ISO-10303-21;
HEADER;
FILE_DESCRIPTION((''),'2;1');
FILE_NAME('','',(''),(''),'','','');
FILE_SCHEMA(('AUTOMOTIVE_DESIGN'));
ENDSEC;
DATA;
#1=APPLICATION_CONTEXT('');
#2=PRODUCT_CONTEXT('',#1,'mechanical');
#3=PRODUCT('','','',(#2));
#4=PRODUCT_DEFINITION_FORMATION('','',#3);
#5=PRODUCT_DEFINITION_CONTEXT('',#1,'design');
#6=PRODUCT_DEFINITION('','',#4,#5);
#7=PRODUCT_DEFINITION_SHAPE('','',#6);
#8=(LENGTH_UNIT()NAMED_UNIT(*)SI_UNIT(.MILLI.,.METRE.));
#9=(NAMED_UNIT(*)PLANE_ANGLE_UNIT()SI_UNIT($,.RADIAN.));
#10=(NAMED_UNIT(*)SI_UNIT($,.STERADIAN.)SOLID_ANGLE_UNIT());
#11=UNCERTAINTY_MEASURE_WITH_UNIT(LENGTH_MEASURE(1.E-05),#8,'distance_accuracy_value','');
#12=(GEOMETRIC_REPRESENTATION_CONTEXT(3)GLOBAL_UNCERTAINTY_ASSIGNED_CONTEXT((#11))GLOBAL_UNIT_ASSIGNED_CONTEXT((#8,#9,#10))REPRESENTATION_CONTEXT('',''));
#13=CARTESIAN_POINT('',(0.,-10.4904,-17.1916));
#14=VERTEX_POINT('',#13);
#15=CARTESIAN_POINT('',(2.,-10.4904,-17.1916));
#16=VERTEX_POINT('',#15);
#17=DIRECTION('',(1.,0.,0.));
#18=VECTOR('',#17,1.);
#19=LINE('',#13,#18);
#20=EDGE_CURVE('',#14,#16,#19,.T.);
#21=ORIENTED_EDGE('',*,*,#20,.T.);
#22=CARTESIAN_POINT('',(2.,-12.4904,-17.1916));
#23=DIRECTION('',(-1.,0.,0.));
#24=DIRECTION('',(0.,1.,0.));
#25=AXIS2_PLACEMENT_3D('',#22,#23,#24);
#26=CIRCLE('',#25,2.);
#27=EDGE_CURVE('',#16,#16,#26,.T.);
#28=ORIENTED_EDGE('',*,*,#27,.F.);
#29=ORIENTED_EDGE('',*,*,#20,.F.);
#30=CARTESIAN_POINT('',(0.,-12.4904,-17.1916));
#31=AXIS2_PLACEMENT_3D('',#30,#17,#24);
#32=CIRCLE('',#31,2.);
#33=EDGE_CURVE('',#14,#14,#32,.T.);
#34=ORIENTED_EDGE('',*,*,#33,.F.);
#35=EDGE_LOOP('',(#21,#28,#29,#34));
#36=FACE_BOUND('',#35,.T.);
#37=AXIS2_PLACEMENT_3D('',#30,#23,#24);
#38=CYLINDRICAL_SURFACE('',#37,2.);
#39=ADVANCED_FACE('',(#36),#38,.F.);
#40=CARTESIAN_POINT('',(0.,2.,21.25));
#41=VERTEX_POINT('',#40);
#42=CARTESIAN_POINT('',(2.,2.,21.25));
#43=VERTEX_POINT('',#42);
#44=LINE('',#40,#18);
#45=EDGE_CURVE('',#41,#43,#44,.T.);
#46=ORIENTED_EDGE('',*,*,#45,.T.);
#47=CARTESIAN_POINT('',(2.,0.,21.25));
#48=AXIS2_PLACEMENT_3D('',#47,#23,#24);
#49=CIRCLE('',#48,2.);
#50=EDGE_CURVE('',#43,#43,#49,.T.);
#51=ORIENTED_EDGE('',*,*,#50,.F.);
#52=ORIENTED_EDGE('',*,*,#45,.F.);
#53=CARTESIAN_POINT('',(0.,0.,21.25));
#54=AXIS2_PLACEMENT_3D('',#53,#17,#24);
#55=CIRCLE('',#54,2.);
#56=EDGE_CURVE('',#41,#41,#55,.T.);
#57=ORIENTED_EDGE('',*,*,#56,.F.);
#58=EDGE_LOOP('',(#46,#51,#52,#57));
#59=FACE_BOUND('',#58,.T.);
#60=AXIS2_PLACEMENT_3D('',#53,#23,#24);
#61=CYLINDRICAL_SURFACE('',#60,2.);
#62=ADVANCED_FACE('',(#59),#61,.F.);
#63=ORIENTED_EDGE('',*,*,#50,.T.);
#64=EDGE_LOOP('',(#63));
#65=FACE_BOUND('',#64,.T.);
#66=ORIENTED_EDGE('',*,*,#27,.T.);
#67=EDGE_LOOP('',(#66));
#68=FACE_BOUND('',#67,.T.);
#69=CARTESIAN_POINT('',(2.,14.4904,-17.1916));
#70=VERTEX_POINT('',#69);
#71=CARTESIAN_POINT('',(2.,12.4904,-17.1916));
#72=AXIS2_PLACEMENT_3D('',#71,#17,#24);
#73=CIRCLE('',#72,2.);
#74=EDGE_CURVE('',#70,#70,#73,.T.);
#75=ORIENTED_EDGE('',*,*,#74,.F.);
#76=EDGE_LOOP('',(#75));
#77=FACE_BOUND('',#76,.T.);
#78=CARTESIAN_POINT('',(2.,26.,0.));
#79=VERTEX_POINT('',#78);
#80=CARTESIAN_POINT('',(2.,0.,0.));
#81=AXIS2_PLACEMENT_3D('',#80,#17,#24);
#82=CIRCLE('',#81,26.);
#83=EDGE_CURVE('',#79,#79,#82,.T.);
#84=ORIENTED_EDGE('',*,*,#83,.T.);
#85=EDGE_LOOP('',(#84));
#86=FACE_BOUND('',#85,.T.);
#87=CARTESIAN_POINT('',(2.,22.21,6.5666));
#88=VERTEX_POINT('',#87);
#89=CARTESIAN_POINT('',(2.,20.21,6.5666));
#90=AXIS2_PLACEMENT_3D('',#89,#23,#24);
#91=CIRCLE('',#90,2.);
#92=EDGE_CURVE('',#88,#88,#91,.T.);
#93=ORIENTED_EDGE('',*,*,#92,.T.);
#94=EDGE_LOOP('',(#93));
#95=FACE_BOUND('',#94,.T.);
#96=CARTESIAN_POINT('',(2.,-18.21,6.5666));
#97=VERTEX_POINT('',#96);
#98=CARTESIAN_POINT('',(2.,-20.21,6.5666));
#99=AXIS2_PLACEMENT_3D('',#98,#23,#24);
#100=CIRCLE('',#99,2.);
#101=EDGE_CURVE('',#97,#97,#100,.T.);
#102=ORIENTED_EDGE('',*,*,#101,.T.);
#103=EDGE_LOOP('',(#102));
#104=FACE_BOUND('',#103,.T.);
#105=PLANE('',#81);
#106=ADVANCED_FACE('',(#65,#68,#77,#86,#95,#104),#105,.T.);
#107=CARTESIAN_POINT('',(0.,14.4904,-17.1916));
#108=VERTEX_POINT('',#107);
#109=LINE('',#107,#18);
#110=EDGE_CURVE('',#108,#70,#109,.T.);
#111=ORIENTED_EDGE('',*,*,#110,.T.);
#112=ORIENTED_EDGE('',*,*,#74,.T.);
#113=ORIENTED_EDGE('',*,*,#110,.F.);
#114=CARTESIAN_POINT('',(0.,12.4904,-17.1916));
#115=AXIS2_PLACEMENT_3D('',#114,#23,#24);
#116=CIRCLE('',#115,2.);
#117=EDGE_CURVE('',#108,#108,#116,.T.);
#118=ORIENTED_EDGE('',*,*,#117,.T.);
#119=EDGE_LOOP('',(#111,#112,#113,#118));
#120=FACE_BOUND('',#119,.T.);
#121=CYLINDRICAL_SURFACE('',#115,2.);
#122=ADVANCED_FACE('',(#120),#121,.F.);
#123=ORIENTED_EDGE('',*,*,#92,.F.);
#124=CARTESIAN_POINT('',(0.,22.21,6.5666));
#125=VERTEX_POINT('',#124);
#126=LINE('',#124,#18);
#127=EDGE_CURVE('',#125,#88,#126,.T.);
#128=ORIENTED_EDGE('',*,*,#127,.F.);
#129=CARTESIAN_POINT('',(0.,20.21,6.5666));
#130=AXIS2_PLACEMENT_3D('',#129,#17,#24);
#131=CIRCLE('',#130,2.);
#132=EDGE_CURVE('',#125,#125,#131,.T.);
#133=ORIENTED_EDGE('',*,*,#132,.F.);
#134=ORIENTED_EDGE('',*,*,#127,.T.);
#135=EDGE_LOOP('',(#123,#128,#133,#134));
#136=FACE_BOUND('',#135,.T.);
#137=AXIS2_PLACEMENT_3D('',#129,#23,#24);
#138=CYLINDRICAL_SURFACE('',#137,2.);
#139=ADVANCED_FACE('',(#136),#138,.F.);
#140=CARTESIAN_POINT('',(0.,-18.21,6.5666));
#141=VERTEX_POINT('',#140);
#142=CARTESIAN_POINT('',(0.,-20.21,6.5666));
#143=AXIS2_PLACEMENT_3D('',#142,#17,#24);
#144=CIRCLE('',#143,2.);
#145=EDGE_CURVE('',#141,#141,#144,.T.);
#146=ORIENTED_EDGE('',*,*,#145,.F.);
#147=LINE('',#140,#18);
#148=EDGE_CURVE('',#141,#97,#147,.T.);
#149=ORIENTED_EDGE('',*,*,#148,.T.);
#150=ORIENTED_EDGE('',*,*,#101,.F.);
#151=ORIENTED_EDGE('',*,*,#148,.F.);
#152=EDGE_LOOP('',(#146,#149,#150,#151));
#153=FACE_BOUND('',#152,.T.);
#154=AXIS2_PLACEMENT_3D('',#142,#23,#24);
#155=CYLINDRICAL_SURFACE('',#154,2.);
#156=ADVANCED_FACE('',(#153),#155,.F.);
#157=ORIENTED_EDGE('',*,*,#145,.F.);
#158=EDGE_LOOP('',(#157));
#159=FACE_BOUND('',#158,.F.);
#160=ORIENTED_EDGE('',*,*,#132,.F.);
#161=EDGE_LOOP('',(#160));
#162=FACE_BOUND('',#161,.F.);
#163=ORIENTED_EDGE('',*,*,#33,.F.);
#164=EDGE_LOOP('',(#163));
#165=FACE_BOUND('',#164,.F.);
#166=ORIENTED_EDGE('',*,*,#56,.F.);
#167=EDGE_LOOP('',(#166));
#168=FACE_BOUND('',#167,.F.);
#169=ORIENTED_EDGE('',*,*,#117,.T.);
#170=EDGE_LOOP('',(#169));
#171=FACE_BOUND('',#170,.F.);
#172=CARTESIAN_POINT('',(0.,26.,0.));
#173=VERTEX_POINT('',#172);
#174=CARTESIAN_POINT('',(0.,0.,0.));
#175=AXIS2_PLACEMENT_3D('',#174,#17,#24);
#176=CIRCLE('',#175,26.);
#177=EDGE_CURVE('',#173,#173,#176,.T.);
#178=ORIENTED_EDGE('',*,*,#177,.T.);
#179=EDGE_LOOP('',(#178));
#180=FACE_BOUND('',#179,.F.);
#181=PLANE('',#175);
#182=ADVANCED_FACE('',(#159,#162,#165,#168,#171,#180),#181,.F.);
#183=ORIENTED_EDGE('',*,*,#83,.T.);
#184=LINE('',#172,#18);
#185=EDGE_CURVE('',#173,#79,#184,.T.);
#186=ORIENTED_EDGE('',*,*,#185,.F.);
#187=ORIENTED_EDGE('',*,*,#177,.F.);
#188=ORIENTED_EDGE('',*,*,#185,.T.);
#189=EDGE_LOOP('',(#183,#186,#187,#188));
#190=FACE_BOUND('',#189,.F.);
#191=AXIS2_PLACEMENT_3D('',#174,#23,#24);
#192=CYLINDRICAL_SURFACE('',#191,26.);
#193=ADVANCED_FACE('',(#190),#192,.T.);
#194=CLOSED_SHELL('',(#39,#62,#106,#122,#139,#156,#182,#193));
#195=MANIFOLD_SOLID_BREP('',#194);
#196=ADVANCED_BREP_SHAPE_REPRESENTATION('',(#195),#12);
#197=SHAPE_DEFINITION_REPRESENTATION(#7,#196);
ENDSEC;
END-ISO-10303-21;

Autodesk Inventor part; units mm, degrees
ref_plane "YZ Plane" through (0, 0, 0) normal (1, 0, 0) x (0, 1, 0)
ref_plane "XZ Plane" through (0, 0, 0) normal (0, 1, 0) x (-1, 0, 0)
ref_plane "XY Plane" through (0, 0, 0) normal (0, 0, 1) x (1, 0, 0)
sketch "Sketch1" plane through (0, 0, 0) normal (1, 0, 0) x (0, 1, 0)
  circle A0 centre (0, 0) radius 21.25
  circle A1 centre (0, 0) radius 26
  circle A2 centre (0, 21.25) radius 2
  circle A3 centre (-20.21, 6.5666) radius 2
  circle A4 centre (-12.4904, -17.1916) radius 2
  circle A5 centre (12.4904, -17.1916) radius 2
  circle A6 centre (20.21, 6.5666) radius 2
  dimension "d0" = 42.5
  dimension "d1" = 52
  dimension "d2" = 4
  dimension "d5" = 360
extrude "Extrusion1" add sketch "Sketch1" along normal blind 2 contours A0 A5 A4 A3 A2 A6 | A1
properties part number "antenna_plate"
